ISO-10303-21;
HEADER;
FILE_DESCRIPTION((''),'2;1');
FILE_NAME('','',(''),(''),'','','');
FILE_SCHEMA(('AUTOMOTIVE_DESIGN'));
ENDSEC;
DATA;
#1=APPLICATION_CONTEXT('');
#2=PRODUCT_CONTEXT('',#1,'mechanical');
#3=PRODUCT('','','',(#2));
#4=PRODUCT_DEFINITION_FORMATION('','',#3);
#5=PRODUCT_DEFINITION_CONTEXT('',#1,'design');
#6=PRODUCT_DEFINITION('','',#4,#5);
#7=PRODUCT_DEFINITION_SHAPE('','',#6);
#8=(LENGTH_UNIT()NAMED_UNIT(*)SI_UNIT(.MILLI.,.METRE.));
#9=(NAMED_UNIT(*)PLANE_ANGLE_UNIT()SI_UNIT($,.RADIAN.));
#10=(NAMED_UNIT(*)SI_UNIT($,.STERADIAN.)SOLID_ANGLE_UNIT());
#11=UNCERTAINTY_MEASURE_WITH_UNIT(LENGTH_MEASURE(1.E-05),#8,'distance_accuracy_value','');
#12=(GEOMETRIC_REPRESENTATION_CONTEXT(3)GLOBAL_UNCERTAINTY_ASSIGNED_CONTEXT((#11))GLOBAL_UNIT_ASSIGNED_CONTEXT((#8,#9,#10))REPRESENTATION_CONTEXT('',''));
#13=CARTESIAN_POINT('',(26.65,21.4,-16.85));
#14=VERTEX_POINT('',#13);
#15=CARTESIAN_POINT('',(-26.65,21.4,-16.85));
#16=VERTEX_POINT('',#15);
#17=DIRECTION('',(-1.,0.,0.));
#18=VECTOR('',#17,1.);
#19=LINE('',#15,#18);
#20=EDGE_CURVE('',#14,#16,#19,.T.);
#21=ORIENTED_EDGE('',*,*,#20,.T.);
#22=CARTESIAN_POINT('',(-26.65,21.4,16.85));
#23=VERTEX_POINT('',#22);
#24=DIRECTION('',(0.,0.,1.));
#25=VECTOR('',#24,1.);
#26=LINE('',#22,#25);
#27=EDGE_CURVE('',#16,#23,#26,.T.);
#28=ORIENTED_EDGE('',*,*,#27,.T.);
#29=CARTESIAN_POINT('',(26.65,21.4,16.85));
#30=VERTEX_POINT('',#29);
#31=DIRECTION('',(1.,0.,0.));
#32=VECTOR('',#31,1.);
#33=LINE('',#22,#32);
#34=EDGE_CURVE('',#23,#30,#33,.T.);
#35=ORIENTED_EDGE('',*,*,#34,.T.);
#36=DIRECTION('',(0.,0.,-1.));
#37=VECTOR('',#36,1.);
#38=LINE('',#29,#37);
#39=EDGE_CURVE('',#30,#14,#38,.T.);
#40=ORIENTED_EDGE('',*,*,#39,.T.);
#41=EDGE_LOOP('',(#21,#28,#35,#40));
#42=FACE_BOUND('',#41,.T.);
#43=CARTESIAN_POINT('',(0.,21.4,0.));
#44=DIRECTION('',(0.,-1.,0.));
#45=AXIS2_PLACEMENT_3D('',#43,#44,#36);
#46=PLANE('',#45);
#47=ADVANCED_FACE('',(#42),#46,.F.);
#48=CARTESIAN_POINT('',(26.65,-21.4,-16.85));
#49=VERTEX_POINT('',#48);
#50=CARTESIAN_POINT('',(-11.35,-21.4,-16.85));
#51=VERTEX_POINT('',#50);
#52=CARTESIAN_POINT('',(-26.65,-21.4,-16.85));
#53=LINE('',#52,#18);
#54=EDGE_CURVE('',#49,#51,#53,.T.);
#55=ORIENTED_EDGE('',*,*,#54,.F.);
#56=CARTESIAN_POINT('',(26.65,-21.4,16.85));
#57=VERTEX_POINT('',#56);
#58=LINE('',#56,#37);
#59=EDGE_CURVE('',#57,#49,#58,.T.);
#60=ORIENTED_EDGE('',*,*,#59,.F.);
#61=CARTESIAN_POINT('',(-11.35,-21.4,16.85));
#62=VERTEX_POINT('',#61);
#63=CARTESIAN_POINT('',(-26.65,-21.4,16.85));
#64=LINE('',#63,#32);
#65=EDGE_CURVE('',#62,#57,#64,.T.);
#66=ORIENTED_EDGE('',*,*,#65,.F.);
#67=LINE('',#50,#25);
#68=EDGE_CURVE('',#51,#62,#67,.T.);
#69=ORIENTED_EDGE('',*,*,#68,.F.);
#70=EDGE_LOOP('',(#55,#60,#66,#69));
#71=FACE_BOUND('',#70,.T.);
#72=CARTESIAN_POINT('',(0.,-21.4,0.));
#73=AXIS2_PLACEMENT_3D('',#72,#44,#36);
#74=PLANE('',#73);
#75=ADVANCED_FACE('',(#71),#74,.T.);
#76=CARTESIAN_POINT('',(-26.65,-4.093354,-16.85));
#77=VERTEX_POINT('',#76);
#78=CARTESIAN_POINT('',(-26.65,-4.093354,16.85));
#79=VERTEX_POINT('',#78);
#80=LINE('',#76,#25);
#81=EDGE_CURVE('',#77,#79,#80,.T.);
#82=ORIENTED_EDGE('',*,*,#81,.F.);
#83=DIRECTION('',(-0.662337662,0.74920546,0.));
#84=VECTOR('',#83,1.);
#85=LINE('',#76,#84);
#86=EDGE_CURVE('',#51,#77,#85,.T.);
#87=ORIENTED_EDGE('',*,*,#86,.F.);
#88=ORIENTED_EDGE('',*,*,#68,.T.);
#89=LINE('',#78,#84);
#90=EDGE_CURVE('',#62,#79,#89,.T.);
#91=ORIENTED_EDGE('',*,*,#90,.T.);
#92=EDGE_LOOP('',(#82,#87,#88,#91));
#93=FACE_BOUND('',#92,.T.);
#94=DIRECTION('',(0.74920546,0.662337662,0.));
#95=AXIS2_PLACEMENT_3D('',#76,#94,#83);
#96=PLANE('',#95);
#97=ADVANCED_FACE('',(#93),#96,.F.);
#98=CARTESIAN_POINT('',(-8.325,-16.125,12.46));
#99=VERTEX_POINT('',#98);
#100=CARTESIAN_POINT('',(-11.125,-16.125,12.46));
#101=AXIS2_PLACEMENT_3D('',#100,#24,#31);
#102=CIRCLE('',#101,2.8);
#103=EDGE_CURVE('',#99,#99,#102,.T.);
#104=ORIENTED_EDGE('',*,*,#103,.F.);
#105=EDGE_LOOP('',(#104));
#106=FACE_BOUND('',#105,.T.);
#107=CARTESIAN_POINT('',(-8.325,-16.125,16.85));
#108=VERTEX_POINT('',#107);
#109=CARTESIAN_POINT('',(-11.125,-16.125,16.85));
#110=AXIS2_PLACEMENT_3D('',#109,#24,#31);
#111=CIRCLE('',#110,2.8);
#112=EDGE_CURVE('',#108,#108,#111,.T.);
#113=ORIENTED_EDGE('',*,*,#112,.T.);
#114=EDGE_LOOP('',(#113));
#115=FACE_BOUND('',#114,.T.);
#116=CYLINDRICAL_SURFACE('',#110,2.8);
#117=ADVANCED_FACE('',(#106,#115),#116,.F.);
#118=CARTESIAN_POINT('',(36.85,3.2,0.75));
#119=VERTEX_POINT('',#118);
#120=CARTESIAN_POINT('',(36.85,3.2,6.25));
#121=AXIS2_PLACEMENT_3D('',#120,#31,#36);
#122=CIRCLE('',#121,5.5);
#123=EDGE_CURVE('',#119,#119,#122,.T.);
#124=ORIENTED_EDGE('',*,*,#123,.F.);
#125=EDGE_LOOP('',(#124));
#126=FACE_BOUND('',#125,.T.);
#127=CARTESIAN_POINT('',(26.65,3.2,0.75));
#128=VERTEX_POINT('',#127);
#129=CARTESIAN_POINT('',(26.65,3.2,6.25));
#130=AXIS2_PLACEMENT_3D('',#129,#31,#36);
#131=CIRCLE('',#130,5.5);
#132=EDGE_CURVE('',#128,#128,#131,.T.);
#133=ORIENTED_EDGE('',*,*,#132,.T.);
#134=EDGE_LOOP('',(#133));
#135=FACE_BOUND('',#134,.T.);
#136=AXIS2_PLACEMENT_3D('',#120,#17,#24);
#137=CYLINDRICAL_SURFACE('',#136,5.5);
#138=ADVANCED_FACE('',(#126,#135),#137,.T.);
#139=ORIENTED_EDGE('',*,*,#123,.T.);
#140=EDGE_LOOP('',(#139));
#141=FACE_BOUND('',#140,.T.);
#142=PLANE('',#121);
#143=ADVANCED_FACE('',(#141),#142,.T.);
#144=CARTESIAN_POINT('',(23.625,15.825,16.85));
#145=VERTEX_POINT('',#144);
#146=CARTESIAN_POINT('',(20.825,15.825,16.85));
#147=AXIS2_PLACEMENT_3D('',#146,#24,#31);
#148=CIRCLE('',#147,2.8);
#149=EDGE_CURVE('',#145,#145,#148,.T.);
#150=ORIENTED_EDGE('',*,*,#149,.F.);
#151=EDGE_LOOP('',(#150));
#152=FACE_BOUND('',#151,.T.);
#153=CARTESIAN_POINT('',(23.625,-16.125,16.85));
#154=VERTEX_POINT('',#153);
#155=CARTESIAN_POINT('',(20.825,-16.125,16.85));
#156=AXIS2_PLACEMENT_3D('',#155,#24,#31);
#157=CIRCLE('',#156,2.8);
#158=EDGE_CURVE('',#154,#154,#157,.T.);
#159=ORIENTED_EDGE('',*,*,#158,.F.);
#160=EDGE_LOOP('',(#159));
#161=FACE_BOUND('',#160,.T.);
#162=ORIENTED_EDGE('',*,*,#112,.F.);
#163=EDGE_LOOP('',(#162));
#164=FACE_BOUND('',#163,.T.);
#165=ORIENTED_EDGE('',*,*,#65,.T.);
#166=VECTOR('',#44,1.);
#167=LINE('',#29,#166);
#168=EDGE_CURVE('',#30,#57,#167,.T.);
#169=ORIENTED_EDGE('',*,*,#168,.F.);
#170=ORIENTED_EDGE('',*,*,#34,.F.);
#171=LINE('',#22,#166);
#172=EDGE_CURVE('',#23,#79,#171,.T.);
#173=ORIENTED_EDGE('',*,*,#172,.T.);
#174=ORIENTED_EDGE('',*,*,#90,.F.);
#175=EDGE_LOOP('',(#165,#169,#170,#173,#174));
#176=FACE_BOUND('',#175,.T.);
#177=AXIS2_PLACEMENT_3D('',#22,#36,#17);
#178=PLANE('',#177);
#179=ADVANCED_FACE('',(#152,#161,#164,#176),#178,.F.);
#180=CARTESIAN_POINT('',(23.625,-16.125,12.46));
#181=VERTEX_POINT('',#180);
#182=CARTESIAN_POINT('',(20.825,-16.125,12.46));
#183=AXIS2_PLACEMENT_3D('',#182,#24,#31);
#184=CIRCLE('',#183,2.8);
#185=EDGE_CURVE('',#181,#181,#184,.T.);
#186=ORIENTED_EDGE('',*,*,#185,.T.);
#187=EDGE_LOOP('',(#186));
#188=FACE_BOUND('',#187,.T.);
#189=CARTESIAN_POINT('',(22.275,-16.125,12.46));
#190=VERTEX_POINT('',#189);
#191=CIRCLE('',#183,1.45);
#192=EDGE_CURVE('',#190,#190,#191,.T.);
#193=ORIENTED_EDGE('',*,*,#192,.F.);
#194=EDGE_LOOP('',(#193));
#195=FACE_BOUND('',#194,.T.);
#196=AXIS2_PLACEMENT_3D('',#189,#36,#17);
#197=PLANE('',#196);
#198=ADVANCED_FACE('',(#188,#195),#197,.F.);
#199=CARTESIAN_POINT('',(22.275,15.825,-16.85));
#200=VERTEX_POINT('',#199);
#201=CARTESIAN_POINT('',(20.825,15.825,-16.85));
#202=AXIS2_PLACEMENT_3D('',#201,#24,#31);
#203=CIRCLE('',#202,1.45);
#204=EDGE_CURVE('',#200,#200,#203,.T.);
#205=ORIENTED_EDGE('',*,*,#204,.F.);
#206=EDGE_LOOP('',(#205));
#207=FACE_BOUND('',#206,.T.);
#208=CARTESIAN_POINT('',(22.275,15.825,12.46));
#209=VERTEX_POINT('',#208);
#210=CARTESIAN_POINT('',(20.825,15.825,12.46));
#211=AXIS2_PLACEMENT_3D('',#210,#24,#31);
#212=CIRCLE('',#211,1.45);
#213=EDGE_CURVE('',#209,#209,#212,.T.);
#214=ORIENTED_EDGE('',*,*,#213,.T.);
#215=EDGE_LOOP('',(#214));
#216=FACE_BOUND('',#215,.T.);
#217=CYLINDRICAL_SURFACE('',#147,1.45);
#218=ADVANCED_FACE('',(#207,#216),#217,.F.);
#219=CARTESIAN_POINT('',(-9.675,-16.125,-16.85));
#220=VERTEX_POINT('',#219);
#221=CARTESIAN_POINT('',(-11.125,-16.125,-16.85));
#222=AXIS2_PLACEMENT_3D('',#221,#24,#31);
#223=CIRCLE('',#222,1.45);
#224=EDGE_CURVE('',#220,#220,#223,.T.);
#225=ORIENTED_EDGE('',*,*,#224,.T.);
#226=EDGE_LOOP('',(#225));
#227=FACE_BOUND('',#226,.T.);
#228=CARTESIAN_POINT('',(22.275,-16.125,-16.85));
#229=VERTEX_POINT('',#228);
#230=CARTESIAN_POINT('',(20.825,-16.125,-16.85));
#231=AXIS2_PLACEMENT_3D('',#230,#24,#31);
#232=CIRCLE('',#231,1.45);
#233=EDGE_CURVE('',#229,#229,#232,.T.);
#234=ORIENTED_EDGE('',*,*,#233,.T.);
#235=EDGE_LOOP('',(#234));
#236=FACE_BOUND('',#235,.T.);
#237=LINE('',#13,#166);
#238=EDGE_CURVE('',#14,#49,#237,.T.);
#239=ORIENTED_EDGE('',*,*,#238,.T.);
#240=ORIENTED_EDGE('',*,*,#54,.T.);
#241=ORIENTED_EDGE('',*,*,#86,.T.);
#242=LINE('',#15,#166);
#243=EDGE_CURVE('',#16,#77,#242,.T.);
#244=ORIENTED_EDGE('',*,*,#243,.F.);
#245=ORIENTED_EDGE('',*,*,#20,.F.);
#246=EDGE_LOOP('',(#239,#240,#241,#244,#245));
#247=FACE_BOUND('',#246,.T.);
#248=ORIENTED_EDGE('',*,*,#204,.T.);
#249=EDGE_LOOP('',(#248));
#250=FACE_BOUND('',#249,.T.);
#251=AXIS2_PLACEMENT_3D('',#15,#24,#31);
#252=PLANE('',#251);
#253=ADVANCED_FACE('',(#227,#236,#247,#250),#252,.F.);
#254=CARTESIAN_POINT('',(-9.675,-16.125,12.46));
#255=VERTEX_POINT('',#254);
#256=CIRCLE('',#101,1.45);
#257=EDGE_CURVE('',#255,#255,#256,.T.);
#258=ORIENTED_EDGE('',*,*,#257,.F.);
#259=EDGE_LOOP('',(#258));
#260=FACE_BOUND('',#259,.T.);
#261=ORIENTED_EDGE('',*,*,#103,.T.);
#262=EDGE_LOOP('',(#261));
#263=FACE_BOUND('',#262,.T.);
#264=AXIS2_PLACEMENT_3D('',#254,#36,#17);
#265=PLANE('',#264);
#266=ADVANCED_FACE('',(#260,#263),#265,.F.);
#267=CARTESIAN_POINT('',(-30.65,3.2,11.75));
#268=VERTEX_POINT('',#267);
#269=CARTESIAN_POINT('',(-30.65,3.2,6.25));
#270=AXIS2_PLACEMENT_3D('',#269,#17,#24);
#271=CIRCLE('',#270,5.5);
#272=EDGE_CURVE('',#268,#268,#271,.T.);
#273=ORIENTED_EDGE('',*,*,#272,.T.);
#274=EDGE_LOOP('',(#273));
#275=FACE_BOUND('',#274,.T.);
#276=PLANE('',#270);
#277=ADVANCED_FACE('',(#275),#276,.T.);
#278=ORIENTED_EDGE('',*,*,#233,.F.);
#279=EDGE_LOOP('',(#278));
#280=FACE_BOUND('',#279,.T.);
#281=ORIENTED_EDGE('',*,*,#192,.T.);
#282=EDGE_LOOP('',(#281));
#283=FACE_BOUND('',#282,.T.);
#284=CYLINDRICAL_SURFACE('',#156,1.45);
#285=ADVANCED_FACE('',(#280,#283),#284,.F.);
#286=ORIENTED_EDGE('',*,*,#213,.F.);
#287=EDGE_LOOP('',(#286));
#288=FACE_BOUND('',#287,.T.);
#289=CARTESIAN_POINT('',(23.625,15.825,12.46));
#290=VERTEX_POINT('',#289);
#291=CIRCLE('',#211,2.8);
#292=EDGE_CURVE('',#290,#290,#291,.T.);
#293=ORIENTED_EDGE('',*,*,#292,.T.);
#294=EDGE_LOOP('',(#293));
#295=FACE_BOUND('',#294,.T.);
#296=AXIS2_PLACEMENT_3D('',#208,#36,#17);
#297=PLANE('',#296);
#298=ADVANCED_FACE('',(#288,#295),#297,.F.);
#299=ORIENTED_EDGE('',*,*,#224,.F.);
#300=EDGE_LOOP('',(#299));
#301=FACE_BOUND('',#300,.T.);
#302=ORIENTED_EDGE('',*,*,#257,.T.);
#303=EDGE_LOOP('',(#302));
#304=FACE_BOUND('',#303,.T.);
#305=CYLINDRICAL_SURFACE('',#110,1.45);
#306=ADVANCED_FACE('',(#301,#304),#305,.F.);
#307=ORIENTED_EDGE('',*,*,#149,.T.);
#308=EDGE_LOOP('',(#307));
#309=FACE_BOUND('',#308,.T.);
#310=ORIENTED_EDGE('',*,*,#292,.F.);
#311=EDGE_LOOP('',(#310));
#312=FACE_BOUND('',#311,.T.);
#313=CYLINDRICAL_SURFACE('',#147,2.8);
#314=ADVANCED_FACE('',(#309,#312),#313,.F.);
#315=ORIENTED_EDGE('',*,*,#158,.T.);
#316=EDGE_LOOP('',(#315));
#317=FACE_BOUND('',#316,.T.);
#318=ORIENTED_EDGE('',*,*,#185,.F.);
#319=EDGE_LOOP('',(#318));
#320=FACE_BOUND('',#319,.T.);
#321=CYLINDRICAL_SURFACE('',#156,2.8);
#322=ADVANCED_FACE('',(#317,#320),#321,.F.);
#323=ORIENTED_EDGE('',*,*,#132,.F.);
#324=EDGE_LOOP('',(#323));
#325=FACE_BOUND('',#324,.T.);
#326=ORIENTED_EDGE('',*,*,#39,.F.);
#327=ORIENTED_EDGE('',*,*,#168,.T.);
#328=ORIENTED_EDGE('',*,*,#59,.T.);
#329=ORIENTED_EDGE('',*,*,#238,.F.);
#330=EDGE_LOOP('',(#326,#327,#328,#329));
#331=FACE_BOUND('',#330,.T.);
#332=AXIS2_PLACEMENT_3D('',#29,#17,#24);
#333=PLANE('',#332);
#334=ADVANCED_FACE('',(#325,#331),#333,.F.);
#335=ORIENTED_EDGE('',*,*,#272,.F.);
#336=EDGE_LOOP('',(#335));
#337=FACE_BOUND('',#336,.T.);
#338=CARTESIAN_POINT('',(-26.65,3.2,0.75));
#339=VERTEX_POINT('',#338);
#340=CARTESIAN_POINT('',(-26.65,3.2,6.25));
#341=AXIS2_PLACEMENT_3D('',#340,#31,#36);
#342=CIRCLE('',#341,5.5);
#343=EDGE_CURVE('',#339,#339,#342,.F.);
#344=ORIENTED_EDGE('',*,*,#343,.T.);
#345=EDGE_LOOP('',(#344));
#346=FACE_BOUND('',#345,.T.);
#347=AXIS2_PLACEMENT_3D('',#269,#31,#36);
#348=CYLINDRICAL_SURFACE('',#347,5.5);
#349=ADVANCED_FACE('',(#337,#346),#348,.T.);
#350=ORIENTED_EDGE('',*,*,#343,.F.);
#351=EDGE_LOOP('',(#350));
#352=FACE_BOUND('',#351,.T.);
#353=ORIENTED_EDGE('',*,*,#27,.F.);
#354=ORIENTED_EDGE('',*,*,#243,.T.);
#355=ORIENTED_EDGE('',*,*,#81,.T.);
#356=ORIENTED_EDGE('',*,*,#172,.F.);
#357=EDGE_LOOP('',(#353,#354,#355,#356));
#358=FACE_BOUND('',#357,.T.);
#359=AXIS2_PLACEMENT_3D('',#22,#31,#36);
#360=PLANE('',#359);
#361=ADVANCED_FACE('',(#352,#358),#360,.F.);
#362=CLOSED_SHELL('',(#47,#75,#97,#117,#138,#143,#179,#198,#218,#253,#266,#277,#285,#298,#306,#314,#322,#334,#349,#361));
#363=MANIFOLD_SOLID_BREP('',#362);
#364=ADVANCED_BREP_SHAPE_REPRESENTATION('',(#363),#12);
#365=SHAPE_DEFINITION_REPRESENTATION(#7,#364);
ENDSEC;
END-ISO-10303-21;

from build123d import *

# Parameters (mm, degrees)
ESBO_O1_W                                            = 53.3
ESBO_O1_H                                            = 33.7
RESSALTO_EXTRUS_O1_DEPTH                             = 21.4
CORTE_EXTRUS_O1_DEPTH                                = 34.7
ESBO_O3_R                                            = 5.5
RESSALTO_EXTRUS_O2_DEPTH                             = 10.2
ESBO_O4_R                                            = 5.5
RESSALTO_EXTRUS_O3_DEPTH                             = 4
REBAIXO_PARA_PARAFUSO_DE_M_QUINA_COM_CAB_D           = 2.9
REBAIXO_PARA_PARAFUSO_DE_M_QUINA_COM_CAB_CBORE_D     = 5.6
REBAIXO_PARA_PARAFUSO_DE_M_QUINA_COM_CAB_CBORE_DEPTH = 4.39


with BuildPart() as part:
    # Esboço1 → Ressalto-extrusão1 (new body, symmetric)
    with BuildSketch(Plane(origin=(0, 0, 0), x_dir=(1, 0, 0), z_dir=(0, 1, 0))):
        Rectangle(ESBO_O1_W, ESBO_O1_H)
    extrude(amount=RESSALTO_EXTRUS_O1_DEPTH, both=True)

    # Esboço2 → Corte-extrusão1 (cut, through all)
    with BuildSketch(Plane.XY.offset(16.85)):
        Polygon((-26.65, -21.4), (-11.35, -21.4), (-26.65, -4.093353878), align=None)
    extrude(amount=-CORTE_EXTRUS_O1_DEPTH, mode=Mode.SUBTRACT)

    # Esboço3 → Ressalto-extrusão2 (add)
    with BuildSketch(Plane(origin=(26.65, 0, 0), x_dir=(0, 0, -1), z_dir=(1, 0, 0))):
        with Locations((-6.25, 3.2)):
            Circle(ESBO_O3_R)
    extrude(amount=RESSALTO_EXTRUS_O2_DEPTH)

    # Esboço4 → Ressalto-extrusão3 (add)
    with BuildSketch(Plane.ZY.offset(26.65)):
        with Locations((6.25, 3.2)):
            Circle(ESBO_O4_R)
    extrude(amount=RESSALTO_EXTRUS_O3_DEPTH)

    # Rebaixo para parafuso de máquina com cabeça panela de M31 (through all)
    with Locations(Plane.XY.offset(16.85)):
        with Locations((20.825, 15.825), (20.825, -16.125), (-11.125, -16.125)):
            CounterBoreHole(REBAIXO_PARA_PARAFUSO_DE_M_QUINA_COM_CAB_D / 2, REBAIXO_PARA_PARAFUSO_DE_M_QUINA_COM_CAB_CBORE_D / 2, REBAIXO_PARA_PARAFUSO_DE_M_QUINA_COM_CAB_CBORE_DEPTH)


solid = part.part
